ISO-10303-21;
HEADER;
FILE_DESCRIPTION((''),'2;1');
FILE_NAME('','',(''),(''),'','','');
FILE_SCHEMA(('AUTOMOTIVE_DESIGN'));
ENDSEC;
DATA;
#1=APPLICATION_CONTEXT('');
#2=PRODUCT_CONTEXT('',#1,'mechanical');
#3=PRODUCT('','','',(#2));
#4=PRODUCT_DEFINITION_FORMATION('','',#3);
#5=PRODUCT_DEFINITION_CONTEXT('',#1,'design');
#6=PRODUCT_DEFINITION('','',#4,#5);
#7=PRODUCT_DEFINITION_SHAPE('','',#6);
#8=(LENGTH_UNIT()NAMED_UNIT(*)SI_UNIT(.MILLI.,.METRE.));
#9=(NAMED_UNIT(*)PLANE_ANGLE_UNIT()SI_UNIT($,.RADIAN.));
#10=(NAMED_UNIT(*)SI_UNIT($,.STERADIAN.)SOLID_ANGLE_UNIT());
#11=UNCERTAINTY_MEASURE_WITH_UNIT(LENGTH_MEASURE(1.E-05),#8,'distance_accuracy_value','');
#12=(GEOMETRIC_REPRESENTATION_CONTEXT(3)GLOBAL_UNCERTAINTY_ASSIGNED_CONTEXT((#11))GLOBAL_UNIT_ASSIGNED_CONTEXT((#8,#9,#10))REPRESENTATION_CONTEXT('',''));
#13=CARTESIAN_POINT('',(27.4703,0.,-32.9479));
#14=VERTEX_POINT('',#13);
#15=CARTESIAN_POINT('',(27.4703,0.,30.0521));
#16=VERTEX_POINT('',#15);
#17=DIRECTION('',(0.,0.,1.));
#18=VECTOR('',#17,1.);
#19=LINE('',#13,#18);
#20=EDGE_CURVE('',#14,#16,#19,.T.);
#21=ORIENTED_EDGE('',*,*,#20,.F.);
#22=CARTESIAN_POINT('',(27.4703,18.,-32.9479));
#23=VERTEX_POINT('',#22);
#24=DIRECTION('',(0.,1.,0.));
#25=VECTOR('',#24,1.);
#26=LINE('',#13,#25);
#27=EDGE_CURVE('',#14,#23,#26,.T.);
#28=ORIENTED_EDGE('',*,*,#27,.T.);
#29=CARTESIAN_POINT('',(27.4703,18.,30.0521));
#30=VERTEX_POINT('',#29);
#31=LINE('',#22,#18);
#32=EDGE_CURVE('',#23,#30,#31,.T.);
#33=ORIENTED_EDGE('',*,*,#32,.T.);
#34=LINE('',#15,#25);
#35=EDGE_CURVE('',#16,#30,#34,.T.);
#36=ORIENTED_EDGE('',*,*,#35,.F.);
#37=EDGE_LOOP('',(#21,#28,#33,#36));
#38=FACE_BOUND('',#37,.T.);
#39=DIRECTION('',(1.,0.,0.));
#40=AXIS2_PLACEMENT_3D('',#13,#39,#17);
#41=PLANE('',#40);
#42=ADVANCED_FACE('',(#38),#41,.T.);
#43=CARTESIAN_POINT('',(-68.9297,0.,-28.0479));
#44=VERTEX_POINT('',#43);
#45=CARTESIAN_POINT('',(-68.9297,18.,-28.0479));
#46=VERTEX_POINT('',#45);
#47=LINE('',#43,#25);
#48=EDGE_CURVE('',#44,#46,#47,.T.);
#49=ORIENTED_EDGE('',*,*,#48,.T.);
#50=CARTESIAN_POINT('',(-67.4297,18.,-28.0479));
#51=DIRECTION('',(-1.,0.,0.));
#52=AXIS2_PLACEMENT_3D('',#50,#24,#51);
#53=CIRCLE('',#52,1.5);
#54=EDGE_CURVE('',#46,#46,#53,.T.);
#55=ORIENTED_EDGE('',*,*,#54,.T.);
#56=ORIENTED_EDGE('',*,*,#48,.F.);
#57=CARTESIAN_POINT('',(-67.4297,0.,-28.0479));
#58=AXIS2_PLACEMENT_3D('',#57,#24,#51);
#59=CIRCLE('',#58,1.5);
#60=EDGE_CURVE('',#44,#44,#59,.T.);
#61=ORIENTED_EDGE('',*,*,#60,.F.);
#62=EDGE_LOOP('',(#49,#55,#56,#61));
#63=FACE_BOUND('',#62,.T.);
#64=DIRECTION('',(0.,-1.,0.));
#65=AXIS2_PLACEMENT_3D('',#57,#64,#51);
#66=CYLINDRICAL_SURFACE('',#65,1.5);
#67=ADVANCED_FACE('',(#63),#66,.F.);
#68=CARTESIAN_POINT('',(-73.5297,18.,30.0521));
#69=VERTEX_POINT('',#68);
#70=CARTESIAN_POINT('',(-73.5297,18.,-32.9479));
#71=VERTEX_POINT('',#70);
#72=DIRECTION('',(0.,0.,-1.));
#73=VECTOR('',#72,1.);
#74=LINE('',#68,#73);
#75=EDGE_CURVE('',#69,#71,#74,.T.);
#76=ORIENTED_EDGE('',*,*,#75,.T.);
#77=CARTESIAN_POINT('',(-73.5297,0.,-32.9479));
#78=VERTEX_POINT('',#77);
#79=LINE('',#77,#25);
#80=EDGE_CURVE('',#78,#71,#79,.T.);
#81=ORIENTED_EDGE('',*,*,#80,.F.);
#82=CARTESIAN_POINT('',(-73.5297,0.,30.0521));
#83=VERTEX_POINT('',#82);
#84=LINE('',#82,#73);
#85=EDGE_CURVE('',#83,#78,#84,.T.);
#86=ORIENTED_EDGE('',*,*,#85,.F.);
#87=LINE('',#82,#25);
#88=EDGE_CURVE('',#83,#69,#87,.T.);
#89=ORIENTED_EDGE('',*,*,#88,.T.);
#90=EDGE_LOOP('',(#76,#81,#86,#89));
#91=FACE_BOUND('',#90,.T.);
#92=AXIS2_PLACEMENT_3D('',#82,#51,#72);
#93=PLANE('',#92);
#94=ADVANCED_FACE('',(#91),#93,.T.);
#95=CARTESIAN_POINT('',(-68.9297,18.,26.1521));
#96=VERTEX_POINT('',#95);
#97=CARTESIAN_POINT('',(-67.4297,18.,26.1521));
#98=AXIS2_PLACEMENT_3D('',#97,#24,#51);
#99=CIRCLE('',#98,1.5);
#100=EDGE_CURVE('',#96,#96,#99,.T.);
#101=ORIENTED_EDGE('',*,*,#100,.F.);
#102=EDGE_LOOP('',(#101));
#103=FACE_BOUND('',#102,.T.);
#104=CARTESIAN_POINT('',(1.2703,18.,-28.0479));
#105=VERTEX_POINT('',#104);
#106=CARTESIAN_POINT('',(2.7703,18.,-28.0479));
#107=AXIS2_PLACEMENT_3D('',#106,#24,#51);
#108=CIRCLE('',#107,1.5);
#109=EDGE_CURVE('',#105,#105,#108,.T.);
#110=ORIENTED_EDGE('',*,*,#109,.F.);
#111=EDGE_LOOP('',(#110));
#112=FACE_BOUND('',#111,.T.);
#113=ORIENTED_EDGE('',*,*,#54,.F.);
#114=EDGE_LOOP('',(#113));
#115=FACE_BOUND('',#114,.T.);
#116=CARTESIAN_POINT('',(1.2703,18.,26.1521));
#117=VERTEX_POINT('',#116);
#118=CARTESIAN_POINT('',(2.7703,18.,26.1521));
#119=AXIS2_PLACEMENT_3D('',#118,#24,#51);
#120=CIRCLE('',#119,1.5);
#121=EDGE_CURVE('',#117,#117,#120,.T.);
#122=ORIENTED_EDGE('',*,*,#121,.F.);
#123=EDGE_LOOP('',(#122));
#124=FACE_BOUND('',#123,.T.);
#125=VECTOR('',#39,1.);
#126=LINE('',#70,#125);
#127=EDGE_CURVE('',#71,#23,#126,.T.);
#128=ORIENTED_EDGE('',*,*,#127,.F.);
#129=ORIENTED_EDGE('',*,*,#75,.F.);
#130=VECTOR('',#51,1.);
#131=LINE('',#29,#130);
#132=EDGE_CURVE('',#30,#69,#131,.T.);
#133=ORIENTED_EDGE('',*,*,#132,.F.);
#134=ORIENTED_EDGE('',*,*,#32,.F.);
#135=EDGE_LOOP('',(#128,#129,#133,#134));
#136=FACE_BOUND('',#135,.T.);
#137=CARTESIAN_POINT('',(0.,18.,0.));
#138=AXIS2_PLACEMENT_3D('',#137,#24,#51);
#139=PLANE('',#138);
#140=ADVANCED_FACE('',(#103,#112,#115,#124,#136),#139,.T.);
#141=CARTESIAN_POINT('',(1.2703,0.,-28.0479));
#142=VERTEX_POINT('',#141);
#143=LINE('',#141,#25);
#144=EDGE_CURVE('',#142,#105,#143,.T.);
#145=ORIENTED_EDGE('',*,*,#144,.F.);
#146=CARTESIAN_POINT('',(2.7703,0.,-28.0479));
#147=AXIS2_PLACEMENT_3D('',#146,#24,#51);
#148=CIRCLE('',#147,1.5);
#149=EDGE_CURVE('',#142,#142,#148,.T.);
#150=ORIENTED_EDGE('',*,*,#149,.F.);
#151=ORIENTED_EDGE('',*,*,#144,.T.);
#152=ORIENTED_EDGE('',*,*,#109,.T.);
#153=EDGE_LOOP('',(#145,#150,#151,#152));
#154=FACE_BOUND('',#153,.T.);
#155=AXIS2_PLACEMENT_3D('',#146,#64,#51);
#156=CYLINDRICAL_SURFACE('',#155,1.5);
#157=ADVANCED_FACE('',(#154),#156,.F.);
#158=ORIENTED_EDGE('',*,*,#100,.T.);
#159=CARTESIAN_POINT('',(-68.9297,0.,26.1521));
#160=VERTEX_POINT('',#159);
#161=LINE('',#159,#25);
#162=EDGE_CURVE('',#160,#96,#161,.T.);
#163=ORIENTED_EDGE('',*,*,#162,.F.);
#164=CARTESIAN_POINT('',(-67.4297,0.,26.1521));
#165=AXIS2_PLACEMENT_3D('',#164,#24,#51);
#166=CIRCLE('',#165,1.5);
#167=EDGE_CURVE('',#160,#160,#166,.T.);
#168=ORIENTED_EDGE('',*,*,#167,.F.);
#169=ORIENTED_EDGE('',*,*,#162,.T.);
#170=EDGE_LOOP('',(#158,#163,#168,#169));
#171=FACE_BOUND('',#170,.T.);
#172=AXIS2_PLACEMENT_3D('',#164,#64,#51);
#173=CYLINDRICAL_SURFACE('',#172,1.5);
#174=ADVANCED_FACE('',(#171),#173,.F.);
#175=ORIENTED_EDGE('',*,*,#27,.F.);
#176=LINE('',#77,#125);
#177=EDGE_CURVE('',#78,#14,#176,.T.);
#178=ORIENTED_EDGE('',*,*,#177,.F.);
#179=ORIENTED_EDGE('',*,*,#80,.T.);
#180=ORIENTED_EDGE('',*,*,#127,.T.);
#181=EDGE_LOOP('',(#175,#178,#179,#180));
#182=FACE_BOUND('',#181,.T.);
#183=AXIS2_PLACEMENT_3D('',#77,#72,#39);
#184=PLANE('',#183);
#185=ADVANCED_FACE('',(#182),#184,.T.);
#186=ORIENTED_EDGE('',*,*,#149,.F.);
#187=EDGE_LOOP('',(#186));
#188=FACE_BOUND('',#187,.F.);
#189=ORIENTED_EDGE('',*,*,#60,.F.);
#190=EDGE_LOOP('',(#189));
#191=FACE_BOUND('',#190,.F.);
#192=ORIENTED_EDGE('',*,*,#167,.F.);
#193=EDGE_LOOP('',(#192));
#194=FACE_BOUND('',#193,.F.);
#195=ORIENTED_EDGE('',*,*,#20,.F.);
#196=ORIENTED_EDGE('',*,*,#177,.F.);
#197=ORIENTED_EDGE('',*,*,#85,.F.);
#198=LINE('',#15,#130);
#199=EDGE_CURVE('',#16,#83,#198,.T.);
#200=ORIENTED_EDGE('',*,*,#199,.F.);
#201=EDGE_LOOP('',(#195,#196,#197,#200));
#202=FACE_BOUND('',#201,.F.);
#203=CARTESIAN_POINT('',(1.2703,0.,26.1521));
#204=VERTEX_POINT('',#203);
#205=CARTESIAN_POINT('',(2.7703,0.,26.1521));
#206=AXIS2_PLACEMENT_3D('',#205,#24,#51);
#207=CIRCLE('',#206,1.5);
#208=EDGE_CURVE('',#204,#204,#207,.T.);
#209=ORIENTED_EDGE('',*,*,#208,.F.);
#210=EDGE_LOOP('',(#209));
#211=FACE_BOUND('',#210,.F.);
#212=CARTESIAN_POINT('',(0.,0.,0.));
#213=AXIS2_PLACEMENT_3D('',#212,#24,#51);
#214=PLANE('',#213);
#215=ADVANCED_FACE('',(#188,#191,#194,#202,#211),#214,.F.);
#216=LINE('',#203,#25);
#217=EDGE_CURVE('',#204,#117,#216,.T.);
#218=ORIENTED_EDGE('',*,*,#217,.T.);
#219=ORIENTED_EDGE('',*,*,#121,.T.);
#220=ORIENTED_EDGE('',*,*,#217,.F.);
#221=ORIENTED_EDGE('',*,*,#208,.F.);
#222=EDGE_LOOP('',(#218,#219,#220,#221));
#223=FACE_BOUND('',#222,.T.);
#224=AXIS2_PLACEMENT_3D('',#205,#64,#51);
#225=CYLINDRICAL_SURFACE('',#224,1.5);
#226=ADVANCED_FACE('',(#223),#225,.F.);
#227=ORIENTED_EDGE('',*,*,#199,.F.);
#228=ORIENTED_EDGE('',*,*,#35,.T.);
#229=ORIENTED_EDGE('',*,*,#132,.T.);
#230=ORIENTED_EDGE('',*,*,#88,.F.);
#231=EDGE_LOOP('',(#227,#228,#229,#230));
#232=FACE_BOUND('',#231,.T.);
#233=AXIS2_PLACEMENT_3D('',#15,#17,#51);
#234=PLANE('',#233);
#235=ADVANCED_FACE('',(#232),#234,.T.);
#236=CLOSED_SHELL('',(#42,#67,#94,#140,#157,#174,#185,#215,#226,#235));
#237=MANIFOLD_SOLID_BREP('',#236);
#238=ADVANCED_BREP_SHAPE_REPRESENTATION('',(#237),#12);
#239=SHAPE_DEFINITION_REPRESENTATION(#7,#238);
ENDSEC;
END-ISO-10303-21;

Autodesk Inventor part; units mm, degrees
ref_plane "YZ Plane" through (0, 0, 0) normal (1, 0, 0) x (0, 1, 0)
ref_plane "XZ Plane" through (0, 0, 0) normal (0, 1, 0) x (-1, 0, 0)
ref_plane "XY Plane" through (0, 0, 0) normal (0, 0, 1) x (1, 0, 0)
sketch "Sketch1" plane through (0, 0, 0) normal (0, 1, 0) x (-1, 0, 0)
  line L0 (-27.4703, 30.0521) -> (73.5297, 30.0521)
  line L1 (73.5297, 30.0521) -> (73.5297, -32.9479)
  line L2 (73.5297, -32.9479) -> (-27.4703, -32.9479)
  line L3 (-27.4703, -32.9479) -> (-27.4703, 30.0521)
  circle A0 centre (67.4297, 26.1521) radius 1.5
  circle A1 centre (67.4297, -28.0479) radius 1.5
  circle A2 centre (-2.7703, 26.1521) radius 1.5
  circle A3 centre (-2.7703, -28.0479) radius 1.5
  point P0 (0, 0)
  dimension "d0" = 101
  dimension "d2" = 63
  dimension "d3" = 3
  dimension "d4" = 3
  dimension "d5" = 3
  dimension "d6" = 3
  dimension "d9" = 3.9
  dimension "d10" = 3.9
  dimension "d11" = 6.1
  dimension "d12" = 70.2
  dimension "d14" = 6.1
  dimension "d15" = 70.2
  dimension "d18" = 54.2
  dimension "d19" = 54.2
extrude "Extrusion1" add sketch "Sketch1" along normal blind 18
properties part number "orangepi"
